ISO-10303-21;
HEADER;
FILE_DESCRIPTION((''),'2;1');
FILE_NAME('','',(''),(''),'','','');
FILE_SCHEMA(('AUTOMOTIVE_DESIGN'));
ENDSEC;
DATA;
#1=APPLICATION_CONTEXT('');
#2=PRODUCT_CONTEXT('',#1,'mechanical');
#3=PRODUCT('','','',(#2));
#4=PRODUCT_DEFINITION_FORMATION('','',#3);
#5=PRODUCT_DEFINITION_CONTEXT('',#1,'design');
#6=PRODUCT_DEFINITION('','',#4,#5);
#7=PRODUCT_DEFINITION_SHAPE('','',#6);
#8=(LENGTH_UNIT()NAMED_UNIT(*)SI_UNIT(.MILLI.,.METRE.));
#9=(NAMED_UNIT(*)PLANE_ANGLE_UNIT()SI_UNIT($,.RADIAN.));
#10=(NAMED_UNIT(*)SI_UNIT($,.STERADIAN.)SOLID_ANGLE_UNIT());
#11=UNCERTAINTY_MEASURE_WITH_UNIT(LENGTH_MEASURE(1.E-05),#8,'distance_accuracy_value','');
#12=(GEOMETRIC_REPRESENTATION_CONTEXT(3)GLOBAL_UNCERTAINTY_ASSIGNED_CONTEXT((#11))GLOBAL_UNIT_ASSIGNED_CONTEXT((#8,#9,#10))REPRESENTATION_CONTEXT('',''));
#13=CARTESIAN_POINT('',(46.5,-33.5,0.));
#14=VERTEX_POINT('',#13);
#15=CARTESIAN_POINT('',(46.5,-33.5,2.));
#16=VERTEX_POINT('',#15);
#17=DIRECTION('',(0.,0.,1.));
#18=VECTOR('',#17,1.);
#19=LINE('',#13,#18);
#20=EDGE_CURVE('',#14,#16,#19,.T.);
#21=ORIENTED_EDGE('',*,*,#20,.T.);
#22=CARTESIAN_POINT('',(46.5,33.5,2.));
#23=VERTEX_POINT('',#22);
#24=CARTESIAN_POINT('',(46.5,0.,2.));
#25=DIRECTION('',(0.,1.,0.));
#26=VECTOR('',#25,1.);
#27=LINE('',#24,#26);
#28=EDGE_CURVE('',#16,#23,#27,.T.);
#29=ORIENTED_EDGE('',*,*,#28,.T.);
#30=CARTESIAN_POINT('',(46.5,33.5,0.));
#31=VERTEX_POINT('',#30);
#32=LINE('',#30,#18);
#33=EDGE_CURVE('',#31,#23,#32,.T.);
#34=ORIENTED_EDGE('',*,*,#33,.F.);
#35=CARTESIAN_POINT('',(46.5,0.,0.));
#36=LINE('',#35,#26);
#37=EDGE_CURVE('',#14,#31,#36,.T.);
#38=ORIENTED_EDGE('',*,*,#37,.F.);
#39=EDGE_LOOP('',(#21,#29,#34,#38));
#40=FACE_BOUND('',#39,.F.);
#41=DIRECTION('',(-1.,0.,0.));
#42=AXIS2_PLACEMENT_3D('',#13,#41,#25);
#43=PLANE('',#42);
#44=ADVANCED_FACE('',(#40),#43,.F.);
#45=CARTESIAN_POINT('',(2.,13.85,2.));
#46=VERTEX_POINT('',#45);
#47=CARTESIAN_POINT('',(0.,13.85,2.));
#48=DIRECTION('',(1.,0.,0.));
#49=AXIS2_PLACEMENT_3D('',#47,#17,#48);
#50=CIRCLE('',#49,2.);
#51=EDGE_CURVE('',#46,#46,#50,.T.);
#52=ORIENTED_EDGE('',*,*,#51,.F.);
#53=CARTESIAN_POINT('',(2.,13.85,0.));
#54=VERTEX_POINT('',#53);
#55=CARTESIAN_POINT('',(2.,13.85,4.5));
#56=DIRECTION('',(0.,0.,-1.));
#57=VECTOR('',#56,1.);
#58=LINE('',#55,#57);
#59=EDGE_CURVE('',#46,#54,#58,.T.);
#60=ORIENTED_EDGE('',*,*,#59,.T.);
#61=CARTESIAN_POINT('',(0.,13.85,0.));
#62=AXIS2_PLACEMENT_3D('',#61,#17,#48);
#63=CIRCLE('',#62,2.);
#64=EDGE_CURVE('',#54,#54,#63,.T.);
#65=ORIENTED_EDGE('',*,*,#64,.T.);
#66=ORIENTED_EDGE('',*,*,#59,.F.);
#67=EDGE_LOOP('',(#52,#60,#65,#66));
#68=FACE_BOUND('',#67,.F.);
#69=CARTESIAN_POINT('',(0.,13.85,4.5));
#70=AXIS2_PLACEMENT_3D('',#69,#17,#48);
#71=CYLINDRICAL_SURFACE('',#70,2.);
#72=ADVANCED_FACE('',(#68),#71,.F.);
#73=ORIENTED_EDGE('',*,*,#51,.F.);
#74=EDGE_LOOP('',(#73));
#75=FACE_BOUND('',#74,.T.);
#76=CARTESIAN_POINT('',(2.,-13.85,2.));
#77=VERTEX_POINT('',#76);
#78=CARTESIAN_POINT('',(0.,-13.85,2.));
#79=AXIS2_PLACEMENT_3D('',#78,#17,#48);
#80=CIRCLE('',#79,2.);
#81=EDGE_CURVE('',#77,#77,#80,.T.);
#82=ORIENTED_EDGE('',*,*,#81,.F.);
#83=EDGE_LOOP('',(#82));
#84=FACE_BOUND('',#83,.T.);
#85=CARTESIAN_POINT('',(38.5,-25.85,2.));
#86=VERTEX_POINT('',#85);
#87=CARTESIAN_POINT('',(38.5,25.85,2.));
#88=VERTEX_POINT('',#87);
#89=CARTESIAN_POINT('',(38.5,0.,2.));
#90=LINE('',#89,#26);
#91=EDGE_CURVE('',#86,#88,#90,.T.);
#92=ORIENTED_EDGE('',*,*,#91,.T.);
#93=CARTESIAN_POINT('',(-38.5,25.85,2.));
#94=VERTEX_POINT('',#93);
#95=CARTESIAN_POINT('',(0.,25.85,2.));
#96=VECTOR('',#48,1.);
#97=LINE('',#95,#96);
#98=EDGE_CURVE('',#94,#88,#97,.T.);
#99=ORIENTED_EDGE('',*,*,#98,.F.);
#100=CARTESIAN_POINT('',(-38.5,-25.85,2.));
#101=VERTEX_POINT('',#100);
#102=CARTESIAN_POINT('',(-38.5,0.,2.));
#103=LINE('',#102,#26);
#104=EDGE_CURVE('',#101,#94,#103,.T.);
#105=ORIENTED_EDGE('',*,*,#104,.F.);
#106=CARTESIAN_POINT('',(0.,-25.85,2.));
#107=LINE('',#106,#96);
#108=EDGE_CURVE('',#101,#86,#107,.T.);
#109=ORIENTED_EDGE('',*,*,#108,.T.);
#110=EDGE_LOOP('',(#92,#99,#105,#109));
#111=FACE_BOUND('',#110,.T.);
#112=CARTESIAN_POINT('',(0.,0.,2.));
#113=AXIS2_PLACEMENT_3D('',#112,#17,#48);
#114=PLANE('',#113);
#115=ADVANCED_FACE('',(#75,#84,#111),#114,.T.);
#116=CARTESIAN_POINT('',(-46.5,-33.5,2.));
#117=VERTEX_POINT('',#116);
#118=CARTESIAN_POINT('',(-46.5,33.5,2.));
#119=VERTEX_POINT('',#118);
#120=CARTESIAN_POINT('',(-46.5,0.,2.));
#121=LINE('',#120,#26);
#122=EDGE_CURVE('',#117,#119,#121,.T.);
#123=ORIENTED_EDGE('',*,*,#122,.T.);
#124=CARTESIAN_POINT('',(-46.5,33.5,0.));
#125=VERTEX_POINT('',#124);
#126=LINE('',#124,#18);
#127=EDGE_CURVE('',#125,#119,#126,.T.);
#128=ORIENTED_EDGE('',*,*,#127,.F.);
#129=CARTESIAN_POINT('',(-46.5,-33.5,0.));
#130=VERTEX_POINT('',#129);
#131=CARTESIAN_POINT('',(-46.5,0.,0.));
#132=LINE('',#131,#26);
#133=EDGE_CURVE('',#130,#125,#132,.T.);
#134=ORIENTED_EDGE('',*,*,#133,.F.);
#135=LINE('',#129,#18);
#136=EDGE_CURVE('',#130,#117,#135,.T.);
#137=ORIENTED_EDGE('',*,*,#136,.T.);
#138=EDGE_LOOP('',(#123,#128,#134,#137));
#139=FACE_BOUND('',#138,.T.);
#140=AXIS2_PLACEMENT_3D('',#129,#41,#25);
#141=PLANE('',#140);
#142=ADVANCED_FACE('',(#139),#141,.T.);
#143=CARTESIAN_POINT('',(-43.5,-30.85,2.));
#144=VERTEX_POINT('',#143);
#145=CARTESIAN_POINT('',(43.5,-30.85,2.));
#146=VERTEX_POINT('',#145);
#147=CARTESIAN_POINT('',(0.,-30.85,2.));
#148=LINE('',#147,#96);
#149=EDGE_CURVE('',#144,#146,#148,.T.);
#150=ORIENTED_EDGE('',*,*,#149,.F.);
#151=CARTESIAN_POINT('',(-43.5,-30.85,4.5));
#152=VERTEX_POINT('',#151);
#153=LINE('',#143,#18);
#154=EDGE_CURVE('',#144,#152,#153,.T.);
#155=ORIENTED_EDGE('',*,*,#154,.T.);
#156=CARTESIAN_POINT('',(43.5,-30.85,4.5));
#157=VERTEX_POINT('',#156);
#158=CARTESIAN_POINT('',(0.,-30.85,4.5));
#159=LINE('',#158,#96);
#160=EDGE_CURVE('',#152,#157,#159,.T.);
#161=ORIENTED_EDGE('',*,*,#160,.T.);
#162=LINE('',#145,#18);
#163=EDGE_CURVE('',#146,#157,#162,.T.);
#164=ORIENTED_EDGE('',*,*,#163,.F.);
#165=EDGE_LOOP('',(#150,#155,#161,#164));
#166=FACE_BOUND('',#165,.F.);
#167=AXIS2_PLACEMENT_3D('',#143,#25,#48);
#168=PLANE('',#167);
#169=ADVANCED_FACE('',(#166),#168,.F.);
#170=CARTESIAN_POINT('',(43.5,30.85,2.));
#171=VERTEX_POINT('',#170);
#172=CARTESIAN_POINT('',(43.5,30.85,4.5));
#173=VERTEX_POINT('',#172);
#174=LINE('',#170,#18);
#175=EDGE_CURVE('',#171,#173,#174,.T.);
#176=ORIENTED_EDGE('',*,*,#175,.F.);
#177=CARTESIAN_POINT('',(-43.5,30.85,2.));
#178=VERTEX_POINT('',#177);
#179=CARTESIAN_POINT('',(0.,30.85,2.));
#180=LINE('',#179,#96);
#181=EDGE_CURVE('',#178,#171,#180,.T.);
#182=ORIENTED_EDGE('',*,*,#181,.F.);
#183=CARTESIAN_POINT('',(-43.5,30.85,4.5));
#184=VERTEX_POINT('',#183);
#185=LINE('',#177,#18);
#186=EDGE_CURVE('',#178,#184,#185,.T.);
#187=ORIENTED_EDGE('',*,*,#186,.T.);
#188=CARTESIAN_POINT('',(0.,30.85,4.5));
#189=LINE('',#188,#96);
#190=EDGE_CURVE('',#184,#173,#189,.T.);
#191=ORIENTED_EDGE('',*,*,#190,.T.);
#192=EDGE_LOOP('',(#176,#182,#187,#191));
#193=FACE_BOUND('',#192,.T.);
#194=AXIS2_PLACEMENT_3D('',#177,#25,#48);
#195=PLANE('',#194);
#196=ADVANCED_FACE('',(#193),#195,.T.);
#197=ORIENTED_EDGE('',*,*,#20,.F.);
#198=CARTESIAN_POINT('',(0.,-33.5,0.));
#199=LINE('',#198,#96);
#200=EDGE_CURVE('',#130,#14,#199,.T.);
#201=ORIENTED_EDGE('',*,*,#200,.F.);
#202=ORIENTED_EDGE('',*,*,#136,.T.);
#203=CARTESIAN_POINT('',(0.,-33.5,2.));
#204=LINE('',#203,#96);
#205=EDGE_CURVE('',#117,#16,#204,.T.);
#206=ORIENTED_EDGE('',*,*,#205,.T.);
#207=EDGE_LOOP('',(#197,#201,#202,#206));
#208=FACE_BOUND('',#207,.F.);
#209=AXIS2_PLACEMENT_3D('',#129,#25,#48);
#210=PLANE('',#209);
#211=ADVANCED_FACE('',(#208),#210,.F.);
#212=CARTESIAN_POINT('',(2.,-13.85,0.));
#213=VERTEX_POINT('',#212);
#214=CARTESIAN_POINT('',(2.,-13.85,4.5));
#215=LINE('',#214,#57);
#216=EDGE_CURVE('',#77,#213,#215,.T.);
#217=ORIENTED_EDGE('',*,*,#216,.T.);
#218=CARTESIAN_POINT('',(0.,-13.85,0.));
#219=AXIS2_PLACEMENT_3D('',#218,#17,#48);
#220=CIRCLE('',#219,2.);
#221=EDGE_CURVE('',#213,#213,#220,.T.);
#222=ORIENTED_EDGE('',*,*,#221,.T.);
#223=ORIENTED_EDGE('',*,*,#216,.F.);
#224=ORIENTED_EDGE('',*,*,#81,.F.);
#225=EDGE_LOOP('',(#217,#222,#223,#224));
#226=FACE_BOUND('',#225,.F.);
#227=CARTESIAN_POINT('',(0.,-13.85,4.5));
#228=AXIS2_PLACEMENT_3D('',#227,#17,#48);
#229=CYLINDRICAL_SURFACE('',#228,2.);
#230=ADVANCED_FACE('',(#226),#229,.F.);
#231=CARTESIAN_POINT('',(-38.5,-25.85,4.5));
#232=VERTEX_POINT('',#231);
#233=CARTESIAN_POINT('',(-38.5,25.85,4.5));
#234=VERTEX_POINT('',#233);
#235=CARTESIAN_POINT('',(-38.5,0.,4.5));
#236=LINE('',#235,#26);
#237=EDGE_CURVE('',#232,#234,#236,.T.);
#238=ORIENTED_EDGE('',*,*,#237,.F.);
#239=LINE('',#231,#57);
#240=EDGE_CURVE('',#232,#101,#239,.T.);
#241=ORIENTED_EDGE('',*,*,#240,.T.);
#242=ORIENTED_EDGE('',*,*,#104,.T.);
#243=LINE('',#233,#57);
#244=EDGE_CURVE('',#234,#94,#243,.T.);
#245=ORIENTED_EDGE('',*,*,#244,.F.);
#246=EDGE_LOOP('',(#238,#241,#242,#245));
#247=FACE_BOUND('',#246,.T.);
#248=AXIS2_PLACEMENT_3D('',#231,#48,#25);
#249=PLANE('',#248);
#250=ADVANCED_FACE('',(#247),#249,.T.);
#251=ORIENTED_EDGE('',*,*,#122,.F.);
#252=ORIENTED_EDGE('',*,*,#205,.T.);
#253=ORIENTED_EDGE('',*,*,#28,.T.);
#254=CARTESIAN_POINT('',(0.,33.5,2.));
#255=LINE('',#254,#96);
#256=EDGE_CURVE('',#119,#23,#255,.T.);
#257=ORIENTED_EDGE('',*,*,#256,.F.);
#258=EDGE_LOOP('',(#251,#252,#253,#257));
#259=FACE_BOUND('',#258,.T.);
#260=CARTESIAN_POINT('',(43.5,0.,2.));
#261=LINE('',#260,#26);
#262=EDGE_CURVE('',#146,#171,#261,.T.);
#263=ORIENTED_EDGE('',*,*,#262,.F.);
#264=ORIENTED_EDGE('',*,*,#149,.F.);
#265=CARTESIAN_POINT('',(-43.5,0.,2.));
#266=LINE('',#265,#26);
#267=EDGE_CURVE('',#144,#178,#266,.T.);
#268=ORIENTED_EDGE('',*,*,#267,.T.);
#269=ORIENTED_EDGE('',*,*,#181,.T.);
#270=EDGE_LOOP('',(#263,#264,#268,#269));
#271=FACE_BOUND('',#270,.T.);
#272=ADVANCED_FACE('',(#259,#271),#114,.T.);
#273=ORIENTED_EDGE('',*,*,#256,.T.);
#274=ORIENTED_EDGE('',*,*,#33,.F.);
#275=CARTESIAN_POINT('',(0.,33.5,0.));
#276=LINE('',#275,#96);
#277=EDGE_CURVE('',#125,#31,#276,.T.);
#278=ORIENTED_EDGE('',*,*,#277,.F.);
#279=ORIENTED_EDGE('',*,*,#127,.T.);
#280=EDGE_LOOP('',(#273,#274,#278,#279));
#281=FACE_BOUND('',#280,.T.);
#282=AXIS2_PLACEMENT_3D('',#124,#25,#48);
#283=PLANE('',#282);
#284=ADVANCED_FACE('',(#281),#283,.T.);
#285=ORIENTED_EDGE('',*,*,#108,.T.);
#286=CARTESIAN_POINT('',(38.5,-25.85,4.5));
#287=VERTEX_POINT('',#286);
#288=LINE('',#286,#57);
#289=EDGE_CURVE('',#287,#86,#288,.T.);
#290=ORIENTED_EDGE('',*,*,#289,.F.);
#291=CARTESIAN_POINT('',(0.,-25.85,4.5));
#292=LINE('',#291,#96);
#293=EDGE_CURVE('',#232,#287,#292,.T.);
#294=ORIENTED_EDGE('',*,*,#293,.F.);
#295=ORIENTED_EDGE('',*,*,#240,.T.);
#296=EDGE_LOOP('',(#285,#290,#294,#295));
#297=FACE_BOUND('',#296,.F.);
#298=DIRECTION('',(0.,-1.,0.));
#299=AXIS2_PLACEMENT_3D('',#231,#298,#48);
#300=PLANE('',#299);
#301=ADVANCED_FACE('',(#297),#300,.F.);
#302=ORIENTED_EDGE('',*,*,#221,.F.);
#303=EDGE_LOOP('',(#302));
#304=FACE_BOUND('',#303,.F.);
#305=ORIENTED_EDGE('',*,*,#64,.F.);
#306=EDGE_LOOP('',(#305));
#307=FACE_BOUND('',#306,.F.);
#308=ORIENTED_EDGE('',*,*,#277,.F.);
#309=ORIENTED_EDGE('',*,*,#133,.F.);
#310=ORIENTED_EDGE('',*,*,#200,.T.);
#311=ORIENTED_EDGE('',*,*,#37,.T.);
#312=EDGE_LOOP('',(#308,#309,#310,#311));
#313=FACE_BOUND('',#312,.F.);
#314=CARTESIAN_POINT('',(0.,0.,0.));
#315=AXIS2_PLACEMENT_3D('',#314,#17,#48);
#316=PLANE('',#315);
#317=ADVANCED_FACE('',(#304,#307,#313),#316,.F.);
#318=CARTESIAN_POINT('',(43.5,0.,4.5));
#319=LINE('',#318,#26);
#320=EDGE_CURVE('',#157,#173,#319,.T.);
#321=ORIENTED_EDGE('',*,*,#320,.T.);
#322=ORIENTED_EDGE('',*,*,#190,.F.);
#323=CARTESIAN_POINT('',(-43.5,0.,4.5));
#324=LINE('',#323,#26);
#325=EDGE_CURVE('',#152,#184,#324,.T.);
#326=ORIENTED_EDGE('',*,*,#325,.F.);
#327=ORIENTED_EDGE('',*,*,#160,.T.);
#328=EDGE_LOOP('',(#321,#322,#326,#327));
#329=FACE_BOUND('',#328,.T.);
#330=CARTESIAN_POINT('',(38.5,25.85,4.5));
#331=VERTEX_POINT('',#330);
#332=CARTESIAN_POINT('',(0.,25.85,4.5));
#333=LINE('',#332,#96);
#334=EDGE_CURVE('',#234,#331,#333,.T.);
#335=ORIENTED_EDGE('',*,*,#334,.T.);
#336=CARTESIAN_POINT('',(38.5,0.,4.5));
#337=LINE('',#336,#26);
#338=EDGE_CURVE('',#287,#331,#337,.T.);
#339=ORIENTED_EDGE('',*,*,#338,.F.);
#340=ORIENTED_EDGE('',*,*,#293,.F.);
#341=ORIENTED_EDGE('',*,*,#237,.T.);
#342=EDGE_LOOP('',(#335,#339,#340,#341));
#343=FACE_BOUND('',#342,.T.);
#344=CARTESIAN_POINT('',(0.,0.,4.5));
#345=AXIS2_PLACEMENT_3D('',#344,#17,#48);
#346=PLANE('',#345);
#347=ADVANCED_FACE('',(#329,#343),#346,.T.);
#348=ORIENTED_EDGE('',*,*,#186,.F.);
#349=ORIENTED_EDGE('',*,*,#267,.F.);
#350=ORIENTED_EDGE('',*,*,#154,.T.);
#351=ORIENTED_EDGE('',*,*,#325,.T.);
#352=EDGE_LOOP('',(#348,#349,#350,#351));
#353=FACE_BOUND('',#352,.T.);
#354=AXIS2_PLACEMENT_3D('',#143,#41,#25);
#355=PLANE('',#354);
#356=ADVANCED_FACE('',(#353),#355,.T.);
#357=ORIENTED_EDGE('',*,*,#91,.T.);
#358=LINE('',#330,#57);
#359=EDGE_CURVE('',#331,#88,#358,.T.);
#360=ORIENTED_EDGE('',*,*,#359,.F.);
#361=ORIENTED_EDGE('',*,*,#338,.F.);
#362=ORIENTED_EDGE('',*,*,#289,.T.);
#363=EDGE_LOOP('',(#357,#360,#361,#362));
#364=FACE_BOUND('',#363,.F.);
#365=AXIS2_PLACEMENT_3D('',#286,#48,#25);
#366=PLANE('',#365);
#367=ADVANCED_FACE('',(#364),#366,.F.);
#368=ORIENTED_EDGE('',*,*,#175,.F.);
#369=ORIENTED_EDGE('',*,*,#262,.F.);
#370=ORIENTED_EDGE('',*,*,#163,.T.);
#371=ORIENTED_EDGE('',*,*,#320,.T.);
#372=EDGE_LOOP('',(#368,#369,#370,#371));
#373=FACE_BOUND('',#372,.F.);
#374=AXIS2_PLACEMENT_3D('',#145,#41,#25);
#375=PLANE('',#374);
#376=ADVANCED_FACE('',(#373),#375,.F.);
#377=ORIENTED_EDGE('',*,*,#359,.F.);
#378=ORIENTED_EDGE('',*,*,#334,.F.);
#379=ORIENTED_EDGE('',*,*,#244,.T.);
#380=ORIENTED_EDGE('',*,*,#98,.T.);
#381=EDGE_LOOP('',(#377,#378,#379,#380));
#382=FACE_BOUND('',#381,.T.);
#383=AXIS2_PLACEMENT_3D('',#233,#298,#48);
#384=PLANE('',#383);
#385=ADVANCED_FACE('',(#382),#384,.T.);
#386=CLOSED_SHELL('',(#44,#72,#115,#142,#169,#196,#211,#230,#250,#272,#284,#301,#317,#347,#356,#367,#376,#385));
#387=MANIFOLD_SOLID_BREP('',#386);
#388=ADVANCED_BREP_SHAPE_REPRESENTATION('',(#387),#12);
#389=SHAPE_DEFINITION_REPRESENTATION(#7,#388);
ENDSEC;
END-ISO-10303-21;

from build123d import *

# Parameters (mm, degrees)
F0_W     = 93
F0_H     = 67
F1_DEPTH = 2
F2_W     = 87
F2_H     = 61.7
F3_DEPTH = 2.5
F4_R     = 2
F5_DEPTH = 4.501
F6_W     = 77
F6_H     = 51.7
F7_DEPTH = 2.5


with BuildPart() as f1:
    # F0 (on Top) → F1 (new body)
    with BuildSketch(Plane.XY):
        Rectangle(F0_W, F0_H)
    extrude(amount=F1_DEPTH)

    # F2 (on face) → F3 (join)
    with BuildSketch(Plane.XY.offset(2)):
        Rectangle(F2_W, F2_H)
    extrude(amount=F3_DEPTH)

    # F4 (on face) → F5 (cut, through all)
    with BuildSketch(Plane.XY.offset(4.5)):
        with Locations((0, 13.85)):
            Circle(F4_R)
        with Locations((0, -13.85)):
            Circle(F4_R)
    extrude(amount=-F5_DEPTH, mode=Mode.SUBTRACT)

    # F6 (on face) → F7 (cut)
    with BuildSketch(Plane.XY.offset(4.5)):
        Rectangle(F6_W, F6_H)
    extrude(amount=-F7_DEPTH, mode=Mode.SUBTRACT)


solid = f1.part
